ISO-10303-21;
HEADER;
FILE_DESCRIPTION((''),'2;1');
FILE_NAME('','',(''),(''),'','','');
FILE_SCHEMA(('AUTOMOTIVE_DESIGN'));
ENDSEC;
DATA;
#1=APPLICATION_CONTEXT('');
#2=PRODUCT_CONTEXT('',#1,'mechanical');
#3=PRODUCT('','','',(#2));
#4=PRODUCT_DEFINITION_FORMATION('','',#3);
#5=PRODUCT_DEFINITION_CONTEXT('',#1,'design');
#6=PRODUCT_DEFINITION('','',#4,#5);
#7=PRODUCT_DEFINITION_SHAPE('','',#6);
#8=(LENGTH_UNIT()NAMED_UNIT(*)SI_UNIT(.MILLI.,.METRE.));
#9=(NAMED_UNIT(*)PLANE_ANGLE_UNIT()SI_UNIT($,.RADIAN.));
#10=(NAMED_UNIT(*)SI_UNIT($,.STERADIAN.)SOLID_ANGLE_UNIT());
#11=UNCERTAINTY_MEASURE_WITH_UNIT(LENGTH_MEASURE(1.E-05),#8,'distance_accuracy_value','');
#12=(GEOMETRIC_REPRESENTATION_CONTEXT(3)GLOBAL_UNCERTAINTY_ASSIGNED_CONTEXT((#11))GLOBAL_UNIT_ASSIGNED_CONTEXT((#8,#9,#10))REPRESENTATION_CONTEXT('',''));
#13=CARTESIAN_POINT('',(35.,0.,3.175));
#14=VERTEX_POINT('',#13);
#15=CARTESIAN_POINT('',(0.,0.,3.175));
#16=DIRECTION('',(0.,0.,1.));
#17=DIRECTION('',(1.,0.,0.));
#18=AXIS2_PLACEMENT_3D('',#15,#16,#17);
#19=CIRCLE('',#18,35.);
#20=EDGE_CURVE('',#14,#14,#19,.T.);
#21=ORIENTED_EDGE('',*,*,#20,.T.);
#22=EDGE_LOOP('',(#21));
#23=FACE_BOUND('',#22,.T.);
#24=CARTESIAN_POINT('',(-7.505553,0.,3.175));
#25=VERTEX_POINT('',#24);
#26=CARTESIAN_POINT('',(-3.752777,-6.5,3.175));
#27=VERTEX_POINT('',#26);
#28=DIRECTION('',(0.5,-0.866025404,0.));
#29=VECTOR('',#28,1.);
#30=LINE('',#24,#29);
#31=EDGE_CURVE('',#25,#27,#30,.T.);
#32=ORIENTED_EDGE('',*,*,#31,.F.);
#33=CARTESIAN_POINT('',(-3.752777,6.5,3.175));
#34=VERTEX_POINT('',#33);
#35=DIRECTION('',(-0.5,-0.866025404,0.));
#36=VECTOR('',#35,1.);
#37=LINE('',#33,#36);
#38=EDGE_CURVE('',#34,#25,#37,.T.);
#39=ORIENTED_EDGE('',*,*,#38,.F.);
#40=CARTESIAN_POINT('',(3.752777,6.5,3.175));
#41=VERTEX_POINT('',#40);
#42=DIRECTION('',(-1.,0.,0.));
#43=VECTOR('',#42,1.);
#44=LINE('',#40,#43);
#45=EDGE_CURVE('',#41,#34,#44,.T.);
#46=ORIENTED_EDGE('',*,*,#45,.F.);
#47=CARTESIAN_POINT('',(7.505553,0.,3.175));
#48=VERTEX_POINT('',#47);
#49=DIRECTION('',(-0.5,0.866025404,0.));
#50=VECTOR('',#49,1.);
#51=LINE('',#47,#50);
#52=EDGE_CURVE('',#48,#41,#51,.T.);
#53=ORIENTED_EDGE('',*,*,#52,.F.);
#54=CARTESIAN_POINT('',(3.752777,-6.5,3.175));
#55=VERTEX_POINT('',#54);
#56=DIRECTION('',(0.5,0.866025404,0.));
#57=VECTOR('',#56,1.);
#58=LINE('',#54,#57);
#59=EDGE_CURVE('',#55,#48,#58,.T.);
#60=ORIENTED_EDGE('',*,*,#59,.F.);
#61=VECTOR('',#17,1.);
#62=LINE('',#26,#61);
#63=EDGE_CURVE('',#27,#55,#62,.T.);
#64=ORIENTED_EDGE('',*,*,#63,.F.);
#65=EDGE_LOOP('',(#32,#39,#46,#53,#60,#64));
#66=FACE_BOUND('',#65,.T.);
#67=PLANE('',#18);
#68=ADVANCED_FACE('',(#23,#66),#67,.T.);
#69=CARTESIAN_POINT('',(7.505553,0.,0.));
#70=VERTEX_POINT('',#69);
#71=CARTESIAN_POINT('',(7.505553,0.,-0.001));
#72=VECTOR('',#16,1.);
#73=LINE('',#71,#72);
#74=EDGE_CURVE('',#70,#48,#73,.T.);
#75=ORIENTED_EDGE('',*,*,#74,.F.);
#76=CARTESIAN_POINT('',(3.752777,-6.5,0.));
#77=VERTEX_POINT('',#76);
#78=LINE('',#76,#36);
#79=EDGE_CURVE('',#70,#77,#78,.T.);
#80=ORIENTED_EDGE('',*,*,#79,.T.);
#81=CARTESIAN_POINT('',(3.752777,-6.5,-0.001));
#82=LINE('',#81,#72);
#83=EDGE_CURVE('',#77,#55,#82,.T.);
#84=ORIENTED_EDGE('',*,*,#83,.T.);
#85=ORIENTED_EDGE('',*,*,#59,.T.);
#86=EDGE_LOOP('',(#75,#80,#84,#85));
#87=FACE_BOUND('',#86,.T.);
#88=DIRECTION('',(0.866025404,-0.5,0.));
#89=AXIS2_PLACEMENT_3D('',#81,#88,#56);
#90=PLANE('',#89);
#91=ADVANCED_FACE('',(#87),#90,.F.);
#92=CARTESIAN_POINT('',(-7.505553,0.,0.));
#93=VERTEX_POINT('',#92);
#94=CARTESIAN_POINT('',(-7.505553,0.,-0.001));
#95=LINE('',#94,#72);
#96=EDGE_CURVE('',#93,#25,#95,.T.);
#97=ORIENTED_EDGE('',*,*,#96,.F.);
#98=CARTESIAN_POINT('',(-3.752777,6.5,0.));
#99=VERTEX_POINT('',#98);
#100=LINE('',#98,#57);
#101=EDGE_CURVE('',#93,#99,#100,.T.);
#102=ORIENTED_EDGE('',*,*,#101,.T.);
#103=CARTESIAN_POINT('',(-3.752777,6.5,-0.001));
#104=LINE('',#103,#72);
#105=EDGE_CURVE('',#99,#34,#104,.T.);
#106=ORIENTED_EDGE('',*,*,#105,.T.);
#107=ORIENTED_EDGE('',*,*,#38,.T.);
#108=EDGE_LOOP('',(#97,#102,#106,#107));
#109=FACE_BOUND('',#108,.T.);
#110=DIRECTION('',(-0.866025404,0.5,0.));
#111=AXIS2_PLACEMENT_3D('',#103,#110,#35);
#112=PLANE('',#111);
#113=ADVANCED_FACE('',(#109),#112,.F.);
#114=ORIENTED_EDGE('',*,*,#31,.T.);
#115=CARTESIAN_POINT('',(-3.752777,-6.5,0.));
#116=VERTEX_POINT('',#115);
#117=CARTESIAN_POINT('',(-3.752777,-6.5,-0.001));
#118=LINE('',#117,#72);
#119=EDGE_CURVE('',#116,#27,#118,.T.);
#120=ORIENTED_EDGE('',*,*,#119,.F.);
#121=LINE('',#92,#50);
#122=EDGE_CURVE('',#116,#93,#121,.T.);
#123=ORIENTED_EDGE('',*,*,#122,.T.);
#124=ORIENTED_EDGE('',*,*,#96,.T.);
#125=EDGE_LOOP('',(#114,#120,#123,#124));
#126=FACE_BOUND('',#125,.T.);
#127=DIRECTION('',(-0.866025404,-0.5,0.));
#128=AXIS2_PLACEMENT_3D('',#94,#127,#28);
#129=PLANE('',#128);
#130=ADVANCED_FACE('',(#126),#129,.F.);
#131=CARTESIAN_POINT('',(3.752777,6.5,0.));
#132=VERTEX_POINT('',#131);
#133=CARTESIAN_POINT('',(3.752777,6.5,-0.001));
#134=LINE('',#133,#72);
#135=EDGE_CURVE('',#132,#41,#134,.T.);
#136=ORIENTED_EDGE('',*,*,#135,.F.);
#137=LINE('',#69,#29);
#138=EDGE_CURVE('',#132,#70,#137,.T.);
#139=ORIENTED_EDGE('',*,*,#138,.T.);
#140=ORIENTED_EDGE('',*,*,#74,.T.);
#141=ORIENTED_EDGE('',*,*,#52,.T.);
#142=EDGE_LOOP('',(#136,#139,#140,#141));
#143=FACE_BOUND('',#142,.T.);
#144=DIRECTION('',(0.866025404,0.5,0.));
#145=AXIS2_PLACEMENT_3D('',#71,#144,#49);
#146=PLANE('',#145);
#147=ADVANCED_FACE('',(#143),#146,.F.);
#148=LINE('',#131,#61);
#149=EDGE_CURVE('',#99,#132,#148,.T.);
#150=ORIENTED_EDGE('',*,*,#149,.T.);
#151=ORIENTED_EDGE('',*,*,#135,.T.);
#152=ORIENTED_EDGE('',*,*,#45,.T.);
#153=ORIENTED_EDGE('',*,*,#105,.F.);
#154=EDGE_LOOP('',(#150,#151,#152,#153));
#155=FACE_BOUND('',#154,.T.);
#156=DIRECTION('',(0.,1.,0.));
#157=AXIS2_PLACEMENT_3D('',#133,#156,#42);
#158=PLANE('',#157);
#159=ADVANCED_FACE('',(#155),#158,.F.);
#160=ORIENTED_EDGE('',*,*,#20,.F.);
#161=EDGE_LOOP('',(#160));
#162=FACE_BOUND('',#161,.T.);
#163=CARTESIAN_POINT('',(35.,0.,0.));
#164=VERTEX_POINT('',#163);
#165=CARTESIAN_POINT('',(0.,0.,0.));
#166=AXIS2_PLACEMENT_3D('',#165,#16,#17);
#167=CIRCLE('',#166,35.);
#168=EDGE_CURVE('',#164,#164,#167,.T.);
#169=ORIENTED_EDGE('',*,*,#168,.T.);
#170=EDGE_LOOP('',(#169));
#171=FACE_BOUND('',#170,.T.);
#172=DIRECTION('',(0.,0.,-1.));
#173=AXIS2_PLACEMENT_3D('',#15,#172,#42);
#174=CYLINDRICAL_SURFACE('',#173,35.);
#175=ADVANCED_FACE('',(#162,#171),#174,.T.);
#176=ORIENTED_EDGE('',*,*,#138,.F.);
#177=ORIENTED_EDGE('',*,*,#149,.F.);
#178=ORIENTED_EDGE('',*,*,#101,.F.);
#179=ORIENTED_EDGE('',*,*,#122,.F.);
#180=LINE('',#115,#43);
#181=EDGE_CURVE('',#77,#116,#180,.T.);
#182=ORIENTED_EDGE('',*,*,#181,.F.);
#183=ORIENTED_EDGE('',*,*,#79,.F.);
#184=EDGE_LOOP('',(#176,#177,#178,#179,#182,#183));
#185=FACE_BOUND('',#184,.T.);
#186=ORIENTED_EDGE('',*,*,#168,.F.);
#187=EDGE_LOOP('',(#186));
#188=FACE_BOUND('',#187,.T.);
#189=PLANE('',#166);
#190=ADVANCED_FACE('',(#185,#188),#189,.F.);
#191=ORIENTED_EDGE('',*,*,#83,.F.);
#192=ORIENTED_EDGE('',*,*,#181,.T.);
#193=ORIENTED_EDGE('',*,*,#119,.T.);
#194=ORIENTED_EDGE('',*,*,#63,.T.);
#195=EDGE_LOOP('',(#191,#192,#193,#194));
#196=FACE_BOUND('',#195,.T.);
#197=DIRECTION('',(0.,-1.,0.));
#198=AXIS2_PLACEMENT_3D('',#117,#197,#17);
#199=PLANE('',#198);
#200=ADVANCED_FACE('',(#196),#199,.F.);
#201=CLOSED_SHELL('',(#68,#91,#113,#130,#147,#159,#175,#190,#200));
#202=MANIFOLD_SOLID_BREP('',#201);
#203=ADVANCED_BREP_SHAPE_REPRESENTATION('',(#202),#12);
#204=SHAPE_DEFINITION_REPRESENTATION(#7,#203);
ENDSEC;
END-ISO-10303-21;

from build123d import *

# Parameters (mm, degrees)
SKETCH1_R           = 35
BOSS_EXTRUDE1_DEPTH = 3.175
CUT_EXTRUDE1_REACH  = 5.175


with BuildPart() as part:
    # Sketch1 → Boss-Extrude1 (new body)
    with BuildSketch(Plane.XY):
        Circle(SKETCH1_R)
    extrude(amount=BOSS_EXTRUDE1_DEPTH)

    # Sketch2 → Cut-Extrude1 (cut, up to next)
    with BuildSketch(Plane.XY.offset(3.175), mode=Mode.PRIVATE) as cut_extrude1_sk1:
        Polygon((7.505553499, 0), (3.75277675, 6.5), (-3.75277675, 6.5), (-7.505553499, 0), (-3.75277675, -6.5), (3.75277675, -6.5), align=None)
    cut_extrude1_tool1 = extrude(cut_extrude1_sk1.sketch, amount=-CUT_EXTRUDE1_REACH, mode=Mode.PRIVATE) & part.part
    add(cut_extrude1_tool1.solids().sort_by_distance((0, 0, 3.175))[0], mode=Mode.SUBTRACT)


solid = part.part
